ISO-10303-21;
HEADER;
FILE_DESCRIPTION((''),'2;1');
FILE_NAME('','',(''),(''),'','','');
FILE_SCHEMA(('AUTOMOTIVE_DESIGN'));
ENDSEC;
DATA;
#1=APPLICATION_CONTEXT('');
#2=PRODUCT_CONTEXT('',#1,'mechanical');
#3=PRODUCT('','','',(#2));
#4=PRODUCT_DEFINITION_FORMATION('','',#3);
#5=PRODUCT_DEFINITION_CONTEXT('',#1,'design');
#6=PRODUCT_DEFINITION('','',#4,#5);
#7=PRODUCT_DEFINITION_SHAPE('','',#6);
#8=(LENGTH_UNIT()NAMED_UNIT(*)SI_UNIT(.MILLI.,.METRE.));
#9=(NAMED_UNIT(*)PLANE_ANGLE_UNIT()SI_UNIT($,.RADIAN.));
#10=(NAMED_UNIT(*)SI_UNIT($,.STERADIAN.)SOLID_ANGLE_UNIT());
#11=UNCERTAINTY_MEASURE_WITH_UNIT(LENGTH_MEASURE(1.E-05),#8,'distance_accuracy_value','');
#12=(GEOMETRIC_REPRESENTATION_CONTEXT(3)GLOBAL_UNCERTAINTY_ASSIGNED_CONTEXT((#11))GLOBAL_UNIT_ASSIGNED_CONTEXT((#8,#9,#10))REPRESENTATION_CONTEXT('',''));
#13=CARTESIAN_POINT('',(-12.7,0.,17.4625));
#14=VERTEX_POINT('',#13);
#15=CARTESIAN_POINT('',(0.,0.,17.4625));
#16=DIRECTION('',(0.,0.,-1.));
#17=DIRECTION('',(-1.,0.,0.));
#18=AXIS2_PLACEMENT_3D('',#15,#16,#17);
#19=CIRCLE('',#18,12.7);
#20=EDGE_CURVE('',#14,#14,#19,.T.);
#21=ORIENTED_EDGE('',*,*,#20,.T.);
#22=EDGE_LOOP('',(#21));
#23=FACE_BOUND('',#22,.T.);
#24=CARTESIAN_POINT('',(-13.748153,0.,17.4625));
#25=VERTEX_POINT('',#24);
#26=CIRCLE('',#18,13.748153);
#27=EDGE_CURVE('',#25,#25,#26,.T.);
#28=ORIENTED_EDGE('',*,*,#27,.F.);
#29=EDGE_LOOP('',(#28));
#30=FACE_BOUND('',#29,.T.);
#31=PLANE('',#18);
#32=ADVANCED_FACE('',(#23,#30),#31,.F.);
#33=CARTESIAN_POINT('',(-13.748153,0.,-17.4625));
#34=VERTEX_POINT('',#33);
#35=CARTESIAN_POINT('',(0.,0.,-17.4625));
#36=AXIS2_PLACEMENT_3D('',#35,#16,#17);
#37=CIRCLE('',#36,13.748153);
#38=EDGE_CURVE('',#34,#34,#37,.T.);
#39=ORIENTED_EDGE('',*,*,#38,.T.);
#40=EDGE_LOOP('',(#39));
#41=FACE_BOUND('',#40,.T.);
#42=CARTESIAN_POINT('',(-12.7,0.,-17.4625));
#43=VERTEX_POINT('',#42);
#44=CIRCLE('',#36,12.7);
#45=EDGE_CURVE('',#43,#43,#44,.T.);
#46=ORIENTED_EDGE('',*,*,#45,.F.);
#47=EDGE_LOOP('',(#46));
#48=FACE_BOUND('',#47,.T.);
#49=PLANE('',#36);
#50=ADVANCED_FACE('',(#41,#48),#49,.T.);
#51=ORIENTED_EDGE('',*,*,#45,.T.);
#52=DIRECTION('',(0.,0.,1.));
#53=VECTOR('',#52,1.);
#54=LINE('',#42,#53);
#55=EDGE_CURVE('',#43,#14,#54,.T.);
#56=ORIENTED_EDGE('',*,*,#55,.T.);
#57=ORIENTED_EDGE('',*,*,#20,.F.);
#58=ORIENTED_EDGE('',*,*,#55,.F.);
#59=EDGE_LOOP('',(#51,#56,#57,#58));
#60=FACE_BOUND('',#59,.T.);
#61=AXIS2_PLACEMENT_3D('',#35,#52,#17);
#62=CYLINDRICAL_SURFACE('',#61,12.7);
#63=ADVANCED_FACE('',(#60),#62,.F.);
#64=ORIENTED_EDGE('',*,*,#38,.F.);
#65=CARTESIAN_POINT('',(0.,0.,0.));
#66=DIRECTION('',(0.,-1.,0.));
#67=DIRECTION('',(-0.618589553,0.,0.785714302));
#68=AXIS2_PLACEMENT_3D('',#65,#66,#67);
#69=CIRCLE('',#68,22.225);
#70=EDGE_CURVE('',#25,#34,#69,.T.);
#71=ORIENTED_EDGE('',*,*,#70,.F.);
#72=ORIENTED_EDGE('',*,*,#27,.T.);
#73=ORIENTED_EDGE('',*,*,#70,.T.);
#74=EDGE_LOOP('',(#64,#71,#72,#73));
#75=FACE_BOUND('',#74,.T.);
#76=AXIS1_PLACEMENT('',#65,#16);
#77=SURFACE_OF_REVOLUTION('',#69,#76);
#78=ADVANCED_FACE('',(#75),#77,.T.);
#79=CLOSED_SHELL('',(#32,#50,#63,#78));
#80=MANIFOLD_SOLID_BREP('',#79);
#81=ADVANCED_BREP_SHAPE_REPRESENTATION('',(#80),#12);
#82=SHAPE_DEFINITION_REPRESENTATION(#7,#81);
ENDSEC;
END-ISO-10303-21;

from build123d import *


with BuildPart() as f1:
    # F0 (on Front) → F1 (revolve)
    with BuildSketch(Plane.XZ):
        with BuildLine():
            Line((-12.7, 17.4625), (-13.748153, 17.4625))
            ThreePointArc((-13.748153, 17.4625), (-22.225, 0), (-13.748153, -17.4625))
            Line((-13.748153, -17.4625), (-12.7, -17.4625))
            Line((-12.7, -17.4625), (-12.7, 17.4625))
        make_face()
    revolve(axis=Axis((0, 0, 0), (0, 0, -1)))


solid = f1.part
